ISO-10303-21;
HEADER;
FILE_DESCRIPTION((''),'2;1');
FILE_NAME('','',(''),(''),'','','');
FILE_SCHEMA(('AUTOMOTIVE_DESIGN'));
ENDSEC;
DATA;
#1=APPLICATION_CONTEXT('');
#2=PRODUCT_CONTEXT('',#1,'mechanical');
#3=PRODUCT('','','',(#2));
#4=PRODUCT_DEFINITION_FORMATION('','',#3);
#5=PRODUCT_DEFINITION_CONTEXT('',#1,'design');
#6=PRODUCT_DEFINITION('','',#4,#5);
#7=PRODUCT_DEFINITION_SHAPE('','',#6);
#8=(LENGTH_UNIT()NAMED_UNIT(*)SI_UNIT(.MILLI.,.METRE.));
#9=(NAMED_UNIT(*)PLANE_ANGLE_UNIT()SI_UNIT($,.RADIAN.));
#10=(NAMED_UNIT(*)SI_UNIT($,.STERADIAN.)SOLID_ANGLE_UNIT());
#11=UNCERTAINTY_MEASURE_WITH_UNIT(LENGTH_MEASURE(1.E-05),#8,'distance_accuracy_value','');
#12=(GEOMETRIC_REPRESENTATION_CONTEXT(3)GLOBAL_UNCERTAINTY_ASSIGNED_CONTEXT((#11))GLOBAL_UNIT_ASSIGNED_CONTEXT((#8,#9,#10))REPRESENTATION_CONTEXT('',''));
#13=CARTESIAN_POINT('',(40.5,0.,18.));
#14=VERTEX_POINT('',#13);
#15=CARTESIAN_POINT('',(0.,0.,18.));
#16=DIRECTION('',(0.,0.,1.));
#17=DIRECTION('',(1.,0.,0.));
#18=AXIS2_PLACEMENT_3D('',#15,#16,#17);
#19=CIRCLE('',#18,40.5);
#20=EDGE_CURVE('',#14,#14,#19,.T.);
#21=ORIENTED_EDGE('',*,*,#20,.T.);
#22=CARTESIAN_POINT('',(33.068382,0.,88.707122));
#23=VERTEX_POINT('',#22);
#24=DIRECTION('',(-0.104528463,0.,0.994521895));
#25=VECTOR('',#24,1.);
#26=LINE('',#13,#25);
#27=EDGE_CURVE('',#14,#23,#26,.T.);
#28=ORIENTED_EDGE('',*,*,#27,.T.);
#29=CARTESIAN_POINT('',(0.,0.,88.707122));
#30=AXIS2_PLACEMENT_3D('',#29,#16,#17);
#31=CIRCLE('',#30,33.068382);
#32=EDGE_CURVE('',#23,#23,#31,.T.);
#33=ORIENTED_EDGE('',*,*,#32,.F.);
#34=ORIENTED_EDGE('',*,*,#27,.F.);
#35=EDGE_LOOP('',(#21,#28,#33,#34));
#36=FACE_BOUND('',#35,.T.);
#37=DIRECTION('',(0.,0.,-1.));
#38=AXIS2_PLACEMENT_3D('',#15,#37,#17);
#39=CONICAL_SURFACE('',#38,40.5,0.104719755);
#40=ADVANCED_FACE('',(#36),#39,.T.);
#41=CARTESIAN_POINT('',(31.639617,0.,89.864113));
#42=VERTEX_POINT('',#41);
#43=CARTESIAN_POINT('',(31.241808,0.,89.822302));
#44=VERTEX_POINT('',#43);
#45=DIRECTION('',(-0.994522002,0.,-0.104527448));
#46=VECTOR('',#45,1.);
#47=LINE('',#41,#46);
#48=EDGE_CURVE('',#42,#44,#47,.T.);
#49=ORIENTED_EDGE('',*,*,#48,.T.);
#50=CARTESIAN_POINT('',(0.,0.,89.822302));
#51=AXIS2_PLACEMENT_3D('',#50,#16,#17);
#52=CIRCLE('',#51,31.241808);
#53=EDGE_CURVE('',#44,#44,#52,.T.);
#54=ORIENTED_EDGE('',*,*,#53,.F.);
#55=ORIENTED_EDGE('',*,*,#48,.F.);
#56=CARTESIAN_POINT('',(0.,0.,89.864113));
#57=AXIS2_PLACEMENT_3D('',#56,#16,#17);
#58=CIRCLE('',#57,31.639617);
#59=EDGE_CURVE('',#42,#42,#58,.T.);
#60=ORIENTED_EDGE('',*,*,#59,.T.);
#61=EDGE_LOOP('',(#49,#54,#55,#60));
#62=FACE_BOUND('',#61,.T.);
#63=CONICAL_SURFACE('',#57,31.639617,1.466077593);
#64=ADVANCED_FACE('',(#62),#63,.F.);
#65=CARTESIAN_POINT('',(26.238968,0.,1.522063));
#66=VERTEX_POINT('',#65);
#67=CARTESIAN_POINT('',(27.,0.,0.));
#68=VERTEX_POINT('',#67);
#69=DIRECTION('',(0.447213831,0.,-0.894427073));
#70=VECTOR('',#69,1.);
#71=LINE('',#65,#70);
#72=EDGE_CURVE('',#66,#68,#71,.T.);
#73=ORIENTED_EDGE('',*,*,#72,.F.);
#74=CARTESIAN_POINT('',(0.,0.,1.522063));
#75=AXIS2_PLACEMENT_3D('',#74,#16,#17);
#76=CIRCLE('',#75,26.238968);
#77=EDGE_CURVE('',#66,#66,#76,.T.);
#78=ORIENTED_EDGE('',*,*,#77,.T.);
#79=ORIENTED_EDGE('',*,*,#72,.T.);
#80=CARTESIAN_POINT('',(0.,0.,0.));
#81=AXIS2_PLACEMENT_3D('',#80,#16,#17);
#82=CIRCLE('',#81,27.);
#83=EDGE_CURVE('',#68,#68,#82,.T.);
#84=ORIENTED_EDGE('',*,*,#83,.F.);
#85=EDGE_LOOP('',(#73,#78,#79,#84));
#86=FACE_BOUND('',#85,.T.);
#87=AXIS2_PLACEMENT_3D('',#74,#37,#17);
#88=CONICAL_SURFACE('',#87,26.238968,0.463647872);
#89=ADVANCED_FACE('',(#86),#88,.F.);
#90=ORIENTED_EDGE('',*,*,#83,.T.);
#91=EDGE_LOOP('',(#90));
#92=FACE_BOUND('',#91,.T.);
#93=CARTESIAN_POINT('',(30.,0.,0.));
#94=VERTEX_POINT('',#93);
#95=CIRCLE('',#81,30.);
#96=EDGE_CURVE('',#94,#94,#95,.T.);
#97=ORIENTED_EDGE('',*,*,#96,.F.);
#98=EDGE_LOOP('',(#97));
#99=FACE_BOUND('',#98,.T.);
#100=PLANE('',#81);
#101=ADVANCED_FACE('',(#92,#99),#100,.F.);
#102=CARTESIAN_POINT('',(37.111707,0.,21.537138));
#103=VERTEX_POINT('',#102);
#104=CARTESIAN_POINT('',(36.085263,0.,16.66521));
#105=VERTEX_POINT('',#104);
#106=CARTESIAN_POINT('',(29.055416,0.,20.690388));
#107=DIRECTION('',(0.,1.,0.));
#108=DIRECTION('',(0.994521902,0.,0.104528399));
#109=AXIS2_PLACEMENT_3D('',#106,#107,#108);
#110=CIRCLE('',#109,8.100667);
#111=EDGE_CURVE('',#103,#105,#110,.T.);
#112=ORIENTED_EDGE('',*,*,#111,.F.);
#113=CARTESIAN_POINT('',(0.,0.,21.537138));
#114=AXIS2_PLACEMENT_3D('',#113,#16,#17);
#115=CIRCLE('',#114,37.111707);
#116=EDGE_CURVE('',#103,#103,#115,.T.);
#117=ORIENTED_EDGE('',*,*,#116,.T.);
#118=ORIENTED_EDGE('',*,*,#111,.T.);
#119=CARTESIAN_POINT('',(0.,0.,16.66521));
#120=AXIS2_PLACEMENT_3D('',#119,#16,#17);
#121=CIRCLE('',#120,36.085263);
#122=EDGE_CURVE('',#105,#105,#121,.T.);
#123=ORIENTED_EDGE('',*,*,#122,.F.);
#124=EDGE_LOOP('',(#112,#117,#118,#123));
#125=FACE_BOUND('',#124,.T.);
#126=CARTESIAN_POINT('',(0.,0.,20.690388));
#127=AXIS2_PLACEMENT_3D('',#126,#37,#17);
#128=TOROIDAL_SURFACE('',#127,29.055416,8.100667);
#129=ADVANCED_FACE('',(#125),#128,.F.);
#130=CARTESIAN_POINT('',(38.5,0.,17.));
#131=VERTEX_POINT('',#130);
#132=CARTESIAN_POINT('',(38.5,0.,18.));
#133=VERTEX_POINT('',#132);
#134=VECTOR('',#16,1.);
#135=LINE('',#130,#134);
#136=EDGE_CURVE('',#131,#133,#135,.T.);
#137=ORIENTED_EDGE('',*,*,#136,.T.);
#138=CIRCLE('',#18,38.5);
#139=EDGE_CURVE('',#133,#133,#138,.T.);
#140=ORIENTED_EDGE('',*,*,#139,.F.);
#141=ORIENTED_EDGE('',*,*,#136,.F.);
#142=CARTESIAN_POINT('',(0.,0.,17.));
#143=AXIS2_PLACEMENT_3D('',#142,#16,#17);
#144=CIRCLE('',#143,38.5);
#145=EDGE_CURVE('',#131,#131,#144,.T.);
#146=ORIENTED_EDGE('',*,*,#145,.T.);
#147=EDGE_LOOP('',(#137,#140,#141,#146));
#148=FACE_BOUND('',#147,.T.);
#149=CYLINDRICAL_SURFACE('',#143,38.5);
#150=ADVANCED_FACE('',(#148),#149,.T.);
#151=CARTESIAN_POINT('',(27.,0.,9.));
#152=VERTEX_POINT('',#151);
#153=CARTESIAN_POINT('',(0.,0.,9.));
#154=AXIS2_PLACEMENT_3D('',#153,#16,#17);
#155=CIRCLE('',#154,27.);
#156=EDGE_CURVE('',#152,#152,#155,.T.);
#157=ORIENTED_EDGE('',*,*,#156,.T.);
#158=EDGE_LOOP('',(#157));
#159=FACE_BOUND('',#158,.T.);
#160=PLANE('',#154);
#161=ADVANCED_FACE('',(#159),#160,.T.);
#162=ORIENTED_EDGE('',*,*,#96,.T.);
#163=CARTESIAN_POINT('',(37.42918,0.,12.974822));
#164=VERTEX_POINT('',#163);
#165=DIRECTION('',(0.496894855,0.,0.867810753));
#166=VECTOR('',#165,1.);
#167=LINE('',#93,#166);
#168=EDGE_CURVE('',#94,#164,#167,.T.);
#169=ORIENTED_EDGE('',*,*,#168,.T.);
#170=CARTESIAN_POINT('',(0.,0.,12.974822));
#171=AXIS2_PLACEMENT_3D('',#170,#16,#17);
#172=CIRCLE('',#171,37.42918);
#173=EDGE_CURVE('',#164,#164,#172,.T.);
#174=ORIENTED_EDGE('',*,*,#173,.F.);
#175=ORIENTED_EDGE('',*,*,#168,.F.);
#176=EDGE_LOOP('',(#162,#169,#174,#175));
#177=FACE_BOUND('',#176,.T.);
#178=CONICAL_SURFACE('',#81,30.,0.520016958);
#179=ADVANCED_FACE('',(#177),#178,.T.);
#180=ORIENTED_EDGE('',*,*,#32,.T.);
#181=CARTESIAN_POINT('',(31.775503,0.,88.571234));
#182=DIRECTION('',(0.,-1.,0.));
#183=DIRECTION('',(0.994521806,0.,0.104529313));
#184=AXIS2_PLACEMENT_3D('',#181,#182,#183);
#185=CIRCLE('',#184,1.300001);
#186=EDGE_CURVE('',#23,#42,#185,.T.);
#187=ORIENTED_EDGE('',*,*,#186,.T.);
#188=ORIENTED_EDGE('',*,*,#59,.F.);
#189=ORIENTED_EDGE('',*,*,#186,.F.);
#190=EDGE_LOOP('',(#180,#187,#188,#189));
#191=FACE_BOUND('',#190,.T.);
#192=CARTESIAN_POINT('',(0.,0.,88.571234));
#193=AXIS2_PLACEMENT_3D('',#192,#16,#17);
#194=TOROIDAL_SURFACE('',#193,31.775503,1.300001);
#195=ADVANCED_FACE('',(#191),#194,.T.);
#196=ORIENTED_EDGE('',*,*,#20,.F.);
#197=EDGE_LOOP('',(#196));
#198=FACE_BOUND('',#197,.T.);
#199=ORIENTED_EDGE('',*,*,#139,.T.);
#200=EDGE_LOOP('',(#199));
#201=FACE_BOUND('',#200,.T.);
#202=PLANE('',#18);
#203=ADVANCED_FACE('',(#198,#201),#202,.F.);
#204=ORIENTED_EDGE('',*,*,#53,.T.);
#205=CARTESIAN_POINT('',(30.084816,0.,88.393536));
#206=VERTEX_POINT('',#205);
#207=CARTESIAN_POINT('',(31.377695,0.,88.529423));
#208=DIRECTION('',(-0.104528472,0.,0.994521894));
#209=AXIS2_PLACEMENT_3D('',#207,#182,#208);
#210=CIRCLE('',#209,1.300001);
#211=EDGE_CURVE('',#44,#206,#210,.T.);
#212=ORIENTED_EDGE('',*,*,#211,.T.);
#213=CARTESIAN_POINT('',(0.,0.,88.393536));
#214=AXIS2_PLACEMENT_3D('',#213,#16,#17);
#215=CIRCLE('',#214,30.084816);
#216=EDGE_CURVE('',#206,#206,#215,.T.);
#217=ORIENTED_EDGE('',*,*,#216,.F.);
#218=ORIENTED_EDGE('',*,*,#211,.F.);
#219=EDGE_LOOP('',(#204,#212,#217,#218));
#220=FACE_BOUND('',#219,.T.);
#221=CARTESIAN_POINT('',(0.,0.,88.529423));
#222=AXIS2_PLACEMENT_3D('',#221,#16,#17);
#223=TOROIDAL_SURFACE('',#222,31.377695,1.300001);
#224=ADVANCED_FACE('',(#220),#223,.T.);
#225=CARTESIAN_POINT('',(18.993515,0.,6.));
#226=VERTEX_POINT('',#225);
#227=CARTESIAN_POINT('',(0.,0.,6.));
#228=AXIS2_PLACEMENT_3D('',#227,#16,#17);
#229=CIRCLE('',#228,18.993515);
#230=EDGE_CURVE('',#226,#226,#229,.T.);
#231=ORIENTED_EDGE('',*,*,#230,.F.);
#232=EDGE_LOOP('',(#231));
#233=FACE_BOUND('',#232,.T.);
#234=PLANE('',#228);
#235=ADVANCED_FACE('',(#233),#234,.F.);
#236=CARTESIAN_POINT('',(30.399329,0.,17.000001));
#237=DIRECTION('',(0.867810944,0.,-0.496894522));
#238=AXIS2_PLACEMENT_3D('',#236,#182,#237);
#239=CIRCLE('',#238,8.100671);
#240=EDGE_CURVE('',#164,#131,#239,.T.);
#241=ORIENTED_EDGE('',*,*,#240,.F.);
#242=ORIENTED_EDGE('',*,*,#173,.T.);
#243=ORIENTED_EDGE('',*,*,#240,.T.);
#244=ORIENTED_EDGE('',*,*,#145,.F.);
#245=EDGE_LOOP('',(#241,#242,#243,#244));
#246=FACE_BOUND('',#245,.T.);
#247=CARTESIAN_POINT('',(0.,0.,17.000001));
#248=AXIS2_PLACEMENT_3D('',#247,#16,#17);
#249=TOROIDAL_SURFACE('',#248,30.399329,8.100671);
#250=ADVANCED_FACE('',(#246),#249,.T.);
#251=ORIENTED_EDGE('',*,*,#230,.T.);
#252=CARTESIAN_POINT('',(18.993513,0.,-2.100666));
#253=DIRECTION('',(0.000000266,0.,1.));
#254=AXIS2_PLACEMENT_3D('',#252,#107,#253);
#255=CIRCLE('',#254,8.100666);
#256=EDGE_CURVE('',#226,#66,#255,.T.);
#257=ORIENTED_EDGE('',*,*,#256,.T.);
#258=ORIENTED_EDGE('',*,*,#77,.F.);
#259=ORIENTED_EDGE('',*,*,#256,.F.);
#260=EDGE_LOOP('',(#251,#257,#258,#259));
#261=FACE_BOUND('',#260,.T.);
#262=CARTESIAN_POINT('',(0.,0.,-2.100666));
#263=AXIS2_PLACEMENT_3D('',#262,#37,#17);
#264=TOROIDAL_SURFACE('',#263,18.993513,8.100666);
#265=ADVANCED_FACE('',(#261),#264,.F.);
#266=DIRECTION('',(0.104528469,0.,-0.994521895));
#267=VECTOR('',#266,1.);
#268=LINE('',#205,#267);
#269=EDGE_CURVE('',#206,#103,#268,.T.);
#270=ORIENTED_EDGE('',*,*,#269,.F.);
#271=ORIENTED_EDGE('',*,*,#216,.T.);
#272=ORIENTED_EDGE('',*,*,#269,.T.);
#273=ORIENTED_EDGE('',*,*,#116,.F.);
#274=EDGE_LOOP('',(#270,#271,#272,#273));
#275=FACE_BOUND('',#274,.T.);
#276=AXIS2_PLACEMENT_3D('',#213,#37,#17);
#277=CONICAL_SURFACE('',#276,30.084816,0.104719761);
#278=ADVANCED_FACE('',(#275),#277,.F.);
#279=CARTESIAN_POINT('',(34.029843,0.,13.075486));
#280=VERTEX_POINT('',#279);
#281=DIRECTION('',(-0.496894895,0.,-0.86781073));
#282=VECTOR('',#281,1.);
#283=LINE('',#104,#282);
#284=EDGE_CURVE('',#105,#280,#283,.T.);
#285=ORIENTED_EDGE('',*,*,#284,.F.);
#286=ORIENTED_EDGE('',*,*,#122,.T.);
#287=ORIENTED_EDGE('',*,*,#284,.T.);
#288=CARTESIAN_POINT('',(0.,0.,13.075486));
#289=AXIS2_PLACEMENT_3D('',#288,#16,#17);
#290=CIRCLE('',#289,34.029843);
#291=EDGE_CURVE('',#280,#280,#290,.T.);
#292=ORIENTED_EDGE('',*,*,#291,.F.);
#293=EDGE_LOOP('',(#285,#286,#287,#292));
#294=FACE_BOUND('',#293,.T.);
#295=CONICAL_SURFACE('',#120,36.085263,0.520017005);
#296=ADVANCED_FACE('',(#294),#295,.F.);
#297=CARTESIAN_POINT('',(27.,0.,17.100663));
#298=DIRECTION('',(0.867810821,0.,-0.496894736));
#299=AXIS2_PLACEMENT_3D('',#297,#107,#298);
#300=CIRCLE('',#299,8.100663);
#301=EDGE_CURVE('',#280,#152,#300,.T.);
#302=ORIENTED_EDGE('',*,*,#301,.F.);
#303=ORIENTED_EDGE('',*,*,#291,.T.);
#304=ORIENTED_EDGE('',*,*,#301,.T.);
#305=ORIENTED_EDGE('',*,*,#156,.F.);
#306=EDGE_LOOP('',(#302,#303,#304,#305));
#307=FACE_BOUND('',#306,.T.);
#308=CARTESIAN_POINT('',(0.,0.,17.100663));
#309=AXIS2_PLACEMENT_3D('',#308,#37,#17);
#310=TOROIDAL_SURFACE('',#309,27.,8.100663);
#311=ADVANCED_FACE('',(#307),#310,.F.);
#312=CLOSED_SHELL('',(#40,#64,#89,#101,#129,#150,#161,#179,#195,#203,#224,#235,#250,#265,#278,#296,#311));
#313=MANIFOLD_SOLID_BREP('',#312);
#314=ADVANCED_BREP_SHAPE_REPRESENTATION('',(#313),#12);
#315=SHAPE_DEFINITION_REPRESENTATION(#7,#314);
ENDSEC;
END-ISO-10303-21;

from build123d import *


with BuildPart() as f1:
    # F0 (on Front) → F1 (revolve)
    with BuildSketch(Plane.XZ):
        with BuildLine():
            Line((0, 9), (0, 6))
            Line((0, 6), (18.993515, 6))
            ThreePointArc((18.993515, 6), (23.252285, 4.790172), (26.238968, 1.522063))
            Line((26.238968, 1.522063), (27, 0))
            Line((27, 0), (30, 0))
            Line((30, 0), (37.42918, 12.974822))
            ThreePointArc((37.42918, 12.974822), (38.227719, 14.917411), (38.5, 17))
            Line((38.5, 17), (38.5, 18))
            Line((38.5, 18), (40.5, 18))
            Line((40.5, 18), (33.068382, 88.707122))
            ThreePointArc((33.068382, 88.707122), (32.59362, 89.581524), (31.639617, 89.864113))
            Line((31.639617, 89.864113), (31.241808, 89.822302))
            ThreePointArc((31.241808, 89.822302), (30.367405, 89.34754), (30.084816, 88.393536))
            Line((30.084816, 88.393536), (37.111707, 21.537138))
            ThreePointArc((37.111707, 21.537138), (36.982068, 19.020359), (36.085263, 16.66521))
            Line((36.085263, 16.66521), (34.029843, 13.075486))
            ThreePointArc((34.029843, 13.075486), (31.062889, 10.092548), (27, 9))
            Line((27, 9), (0, 9))
        make_face()
    revolve(axis=Axis((0, 0, 44.353561), (0, 0, 1)))


solid = f1.part
